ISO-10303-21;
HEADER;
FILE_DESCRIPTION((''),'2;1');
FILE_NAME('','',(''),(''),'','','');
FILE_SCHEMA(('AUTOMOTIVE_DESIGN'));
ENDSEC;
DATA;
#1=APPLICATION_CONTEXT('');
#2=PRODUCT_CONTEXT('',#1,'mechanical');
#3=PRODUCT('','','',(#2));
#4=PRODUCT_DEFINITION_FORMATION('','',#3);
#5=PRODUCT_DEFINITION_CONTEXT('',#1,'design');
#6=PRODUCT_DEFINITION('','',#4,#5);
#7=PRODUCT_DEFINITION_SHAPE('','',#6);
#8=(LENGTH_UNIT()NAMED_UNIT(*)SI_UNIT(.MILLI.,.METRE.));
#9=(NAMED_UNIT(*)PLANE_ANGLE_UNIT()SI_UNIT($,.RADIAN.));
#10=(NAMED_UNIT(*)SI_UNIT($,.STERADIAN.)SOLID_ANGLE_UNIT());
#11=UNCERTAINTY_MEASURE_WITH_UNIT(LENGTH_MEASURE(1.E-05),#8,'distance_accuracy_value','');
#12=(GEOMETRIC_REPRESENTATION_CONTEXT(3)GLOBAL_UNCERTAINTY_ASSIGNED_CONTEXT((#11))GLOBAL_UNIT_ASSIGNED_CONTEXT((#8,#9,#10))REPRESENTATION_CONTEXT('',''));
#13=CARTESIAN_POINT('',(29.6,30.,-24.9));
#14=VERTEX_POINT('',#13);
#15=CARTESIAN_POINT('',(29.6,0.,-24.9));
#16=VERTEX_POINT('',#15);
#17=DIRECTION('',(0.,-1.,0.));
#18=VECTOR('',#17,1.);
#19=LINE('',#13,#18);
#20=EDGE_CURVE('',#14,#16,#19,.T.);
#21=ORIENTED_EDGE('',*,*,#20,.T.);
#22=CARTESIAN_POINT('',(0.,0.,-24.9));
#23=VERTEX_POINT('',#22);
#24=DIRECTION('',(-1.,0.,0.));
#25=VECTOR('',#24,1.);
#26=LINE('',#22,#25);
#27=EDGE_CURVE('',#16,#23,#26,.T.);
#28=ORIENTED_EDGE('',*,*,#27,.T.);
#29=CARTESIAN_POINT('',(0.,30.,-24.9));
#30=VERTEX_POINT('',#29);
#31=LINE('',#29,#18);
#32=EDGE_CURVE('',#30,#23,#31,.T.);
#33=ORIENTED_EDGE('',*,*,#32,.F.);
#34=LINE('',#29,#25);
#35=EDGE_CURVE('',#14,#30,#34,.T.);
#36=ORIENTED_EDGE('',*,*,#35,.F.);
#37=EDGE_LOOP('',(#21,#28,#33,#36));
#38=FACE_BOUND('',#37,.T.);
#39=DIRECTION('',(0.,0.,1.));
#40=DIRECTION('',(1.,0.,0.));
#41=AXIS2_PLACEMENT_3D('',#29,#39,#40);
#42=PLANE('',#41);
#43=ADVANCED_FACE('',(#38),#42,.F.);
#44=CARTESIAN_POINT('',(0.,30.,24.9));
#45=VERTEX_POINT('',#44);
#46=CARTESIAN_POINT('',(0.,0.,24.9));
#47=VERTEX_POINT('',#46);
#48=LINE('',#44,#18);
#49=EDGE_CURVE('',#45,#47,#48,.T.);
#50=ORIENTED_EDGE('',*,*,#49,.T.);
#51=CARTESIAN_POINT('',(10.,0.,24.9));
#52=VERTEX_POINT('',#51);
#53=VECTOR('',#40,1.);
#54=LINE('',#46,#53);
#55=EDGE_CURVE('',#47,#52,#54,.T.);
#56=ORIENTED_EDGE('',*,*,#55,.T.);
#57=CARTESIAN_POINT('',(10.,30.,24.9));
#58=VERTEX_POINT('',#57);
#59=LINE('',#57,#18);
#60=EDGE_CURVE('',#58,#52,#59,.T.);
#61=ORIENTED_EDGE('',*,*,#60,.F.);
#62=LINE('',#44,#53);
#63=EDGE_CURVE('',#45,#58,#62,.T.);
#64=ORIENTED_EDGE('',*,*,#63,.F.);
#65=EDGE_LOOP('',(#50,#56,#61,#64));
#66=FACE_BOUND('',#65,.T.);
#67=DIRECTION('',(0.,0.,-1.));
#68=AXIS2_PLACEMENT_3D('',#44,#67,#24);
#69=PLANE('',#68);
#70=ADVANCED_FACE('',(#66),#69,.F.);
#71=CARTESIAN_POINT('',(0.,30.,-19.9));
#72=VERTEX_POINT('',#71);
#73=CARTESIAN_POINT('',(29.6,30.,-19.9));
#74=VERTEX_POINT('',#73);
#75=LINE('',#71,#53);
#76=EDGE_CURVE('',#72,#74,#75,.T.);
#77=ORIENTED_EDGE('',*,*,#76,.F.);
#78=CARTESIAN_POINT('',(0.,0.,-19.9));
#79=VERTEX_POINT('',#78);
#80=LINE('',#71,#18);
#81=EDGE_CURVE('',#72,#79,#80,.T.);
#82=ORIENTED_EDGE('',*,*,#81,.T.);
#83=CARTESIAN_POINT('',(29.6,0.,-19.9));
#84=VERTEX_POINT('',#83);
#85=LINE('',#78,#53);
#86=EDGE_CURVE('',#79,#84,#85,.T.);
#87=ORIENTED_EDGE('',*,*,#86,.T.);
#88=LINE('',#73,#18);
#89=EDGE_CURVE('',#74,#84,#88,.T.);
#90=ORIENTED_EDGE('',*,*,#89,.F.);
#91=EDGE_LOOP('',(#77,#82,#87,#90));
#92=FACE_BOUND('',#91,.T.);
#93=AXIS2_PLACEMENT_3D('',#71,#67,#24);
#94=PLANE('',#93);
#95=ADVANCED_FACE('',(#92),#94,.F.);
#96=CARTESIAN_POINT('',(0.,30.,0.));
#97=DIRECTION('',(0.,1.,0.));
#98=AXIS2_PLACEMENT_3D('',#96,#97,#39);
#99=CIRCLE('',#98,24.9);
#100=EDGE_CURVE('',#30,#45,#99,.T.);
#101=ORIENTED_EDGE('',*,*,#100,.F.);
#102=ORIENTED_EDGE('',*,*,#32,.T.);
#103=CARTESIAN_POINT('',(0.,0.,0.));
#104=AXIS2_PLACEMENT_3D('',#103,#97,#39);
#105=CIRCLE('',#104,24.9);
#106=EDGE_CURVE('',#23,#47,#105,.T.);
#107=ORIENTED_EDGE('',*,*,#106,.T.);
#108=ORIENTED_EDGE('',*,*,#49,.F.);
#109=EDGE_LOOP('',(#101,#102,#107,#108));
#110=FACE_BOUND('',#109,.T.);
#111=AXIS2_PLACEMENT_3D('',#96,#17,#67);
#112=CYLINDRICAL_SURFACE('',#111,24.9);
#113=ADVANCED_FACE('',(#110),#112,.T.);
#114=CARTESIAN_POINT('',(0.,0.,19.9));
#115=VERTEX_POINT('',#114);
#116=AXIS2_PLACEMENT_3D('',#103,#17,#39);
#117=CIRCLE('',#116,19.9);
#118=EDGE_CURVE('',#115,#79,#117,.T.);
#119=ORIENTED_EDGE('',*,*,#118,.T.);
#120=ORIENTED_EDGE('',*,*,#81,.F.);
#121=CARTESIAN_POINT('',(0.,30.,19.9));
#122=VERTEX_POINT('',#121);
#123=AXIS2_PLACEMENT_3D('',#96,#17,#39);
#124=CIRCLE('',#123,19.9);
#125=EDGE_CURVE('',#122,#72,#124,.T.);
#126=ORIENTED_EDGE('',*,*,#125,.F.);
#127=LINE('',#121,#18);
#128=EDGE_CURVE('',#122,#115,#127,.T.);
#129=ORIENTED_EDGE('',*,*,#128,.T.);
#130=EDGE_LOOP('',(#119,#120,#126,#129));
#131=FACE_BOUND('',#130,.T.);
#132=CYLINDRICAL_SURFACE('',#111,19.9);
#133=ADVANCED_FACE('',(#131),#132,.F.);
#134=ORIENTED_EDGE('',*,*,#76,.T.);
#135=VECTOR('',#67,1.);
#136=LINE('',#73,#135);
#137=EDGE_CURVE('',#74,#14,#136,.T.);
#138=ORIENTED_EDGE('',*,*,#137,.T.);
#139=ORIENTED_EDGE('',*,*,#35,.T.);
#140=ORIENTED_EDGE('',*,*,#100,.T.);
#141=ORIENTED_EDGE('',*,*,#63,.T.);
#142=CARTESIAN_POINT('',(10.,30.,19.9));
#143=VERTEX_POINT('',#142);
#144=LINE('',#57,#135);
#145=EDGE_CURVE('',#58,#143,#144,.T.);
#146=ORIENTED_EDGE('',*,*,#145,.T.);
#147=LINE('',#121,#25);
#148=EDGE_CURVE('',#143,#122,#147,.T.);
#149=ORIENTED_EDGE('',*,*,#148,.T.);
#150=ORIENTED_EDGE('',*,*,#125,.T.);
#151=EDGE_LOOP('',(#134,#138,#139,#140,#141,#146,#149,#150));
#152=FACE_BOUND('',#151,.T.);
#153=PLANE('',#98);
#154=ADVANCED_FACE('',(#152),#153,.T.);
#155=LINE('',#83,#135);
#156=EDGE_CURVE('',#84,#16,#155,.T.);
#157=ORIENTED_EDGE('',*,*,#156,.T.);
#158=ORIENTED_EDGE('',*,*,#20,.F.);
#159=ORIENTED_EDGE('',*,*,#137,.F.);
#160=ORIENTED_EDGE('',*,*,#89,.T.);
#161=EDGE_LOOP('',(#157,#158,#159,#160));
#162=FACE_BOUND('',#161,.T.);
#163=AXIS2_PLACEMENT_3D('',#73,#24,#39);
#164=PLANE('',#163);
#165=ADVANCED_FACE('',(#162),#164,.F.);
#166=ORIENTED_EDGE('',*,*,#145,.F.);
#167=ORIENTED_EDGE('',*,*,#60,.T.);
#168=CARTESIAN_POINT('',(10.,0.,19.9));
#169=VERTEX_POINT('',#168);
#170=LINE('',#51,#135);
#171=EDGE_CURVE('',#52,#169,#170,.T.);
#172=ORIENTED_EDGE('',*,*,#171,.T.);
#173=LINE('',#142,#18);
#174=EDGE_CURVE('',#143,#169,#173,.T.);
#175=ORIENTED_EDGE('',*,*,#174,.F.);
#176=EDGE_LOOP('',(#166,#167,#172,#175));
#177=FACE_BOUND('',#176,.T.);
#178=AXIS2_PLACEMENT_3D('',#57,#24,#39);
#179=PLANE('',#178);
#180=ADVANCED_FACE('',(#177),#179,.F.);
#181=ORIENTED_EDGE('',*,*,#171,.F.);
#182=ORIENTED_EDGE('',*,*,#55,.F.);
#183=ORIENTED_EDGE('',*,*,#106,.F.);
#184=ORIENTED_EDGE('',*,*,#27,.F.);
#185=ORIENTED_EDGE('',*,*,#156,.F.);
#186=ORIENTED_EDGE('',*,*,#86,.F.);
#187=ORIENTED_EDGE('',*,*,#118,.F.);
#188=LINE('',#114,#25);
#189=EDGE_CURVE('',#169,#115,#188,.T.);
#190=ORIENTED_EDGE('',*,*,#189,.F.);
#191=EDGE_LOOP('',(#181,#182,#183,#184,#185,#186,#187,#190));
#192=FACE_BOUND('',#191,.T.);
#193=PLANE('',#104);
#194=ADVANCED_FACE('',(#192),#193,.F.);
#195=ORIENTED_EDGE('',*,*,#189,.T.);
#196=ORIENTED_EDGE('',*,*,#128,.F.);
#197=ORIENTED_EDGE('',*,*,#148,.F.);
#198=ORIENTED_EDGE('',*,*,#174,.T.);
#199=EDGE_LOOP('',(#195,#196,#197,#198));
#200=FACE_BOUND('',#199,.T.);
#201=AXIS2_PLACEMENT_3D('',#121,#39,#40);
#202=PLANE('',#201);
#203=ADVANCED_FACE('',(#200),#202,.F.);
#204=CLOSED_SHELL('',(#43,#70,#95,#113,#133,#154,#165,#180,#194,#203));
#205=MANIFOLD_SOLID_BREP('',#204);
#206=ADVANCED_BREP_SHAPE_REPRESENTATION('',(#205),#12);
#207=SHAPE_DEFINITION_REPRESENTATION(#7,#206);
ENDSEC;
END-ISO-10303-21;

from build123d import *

# Parameters (mm, degrees)
BOSS_EXTRUDE1_DEPTH = 30


with BuildPart() as part:
    # Sketch1 → Boss-Extrude1 (new body)
    with BuildSketch(Plane(origin=(0, 0, 0), x_dir=(1, 0, 0), z_dir=(0, 1, 0))):
        with BuildLine():
            Line((0, 19.9), (29.6, 19.9))
            Line((29.6, 19.9), (29.6, 24.9))
            Line((29.6, 24.9), (0, 24.9))
            ThreePointArc((0, 24.9), (-24.9, 0), (0, -24.9))
            Line((0, -24.9), (10, -24.9))
            Line((10, -24.9), (10, -19.9))
            Line((10, -19.9), (0, -19.9))
            ThreePointArc((0, -19.9), (-19.9, 0), (0, 19.9))
        make_face()
    extrude(amount=BOSS_EXTRUDE1_DEPTH)


solid = part.part
